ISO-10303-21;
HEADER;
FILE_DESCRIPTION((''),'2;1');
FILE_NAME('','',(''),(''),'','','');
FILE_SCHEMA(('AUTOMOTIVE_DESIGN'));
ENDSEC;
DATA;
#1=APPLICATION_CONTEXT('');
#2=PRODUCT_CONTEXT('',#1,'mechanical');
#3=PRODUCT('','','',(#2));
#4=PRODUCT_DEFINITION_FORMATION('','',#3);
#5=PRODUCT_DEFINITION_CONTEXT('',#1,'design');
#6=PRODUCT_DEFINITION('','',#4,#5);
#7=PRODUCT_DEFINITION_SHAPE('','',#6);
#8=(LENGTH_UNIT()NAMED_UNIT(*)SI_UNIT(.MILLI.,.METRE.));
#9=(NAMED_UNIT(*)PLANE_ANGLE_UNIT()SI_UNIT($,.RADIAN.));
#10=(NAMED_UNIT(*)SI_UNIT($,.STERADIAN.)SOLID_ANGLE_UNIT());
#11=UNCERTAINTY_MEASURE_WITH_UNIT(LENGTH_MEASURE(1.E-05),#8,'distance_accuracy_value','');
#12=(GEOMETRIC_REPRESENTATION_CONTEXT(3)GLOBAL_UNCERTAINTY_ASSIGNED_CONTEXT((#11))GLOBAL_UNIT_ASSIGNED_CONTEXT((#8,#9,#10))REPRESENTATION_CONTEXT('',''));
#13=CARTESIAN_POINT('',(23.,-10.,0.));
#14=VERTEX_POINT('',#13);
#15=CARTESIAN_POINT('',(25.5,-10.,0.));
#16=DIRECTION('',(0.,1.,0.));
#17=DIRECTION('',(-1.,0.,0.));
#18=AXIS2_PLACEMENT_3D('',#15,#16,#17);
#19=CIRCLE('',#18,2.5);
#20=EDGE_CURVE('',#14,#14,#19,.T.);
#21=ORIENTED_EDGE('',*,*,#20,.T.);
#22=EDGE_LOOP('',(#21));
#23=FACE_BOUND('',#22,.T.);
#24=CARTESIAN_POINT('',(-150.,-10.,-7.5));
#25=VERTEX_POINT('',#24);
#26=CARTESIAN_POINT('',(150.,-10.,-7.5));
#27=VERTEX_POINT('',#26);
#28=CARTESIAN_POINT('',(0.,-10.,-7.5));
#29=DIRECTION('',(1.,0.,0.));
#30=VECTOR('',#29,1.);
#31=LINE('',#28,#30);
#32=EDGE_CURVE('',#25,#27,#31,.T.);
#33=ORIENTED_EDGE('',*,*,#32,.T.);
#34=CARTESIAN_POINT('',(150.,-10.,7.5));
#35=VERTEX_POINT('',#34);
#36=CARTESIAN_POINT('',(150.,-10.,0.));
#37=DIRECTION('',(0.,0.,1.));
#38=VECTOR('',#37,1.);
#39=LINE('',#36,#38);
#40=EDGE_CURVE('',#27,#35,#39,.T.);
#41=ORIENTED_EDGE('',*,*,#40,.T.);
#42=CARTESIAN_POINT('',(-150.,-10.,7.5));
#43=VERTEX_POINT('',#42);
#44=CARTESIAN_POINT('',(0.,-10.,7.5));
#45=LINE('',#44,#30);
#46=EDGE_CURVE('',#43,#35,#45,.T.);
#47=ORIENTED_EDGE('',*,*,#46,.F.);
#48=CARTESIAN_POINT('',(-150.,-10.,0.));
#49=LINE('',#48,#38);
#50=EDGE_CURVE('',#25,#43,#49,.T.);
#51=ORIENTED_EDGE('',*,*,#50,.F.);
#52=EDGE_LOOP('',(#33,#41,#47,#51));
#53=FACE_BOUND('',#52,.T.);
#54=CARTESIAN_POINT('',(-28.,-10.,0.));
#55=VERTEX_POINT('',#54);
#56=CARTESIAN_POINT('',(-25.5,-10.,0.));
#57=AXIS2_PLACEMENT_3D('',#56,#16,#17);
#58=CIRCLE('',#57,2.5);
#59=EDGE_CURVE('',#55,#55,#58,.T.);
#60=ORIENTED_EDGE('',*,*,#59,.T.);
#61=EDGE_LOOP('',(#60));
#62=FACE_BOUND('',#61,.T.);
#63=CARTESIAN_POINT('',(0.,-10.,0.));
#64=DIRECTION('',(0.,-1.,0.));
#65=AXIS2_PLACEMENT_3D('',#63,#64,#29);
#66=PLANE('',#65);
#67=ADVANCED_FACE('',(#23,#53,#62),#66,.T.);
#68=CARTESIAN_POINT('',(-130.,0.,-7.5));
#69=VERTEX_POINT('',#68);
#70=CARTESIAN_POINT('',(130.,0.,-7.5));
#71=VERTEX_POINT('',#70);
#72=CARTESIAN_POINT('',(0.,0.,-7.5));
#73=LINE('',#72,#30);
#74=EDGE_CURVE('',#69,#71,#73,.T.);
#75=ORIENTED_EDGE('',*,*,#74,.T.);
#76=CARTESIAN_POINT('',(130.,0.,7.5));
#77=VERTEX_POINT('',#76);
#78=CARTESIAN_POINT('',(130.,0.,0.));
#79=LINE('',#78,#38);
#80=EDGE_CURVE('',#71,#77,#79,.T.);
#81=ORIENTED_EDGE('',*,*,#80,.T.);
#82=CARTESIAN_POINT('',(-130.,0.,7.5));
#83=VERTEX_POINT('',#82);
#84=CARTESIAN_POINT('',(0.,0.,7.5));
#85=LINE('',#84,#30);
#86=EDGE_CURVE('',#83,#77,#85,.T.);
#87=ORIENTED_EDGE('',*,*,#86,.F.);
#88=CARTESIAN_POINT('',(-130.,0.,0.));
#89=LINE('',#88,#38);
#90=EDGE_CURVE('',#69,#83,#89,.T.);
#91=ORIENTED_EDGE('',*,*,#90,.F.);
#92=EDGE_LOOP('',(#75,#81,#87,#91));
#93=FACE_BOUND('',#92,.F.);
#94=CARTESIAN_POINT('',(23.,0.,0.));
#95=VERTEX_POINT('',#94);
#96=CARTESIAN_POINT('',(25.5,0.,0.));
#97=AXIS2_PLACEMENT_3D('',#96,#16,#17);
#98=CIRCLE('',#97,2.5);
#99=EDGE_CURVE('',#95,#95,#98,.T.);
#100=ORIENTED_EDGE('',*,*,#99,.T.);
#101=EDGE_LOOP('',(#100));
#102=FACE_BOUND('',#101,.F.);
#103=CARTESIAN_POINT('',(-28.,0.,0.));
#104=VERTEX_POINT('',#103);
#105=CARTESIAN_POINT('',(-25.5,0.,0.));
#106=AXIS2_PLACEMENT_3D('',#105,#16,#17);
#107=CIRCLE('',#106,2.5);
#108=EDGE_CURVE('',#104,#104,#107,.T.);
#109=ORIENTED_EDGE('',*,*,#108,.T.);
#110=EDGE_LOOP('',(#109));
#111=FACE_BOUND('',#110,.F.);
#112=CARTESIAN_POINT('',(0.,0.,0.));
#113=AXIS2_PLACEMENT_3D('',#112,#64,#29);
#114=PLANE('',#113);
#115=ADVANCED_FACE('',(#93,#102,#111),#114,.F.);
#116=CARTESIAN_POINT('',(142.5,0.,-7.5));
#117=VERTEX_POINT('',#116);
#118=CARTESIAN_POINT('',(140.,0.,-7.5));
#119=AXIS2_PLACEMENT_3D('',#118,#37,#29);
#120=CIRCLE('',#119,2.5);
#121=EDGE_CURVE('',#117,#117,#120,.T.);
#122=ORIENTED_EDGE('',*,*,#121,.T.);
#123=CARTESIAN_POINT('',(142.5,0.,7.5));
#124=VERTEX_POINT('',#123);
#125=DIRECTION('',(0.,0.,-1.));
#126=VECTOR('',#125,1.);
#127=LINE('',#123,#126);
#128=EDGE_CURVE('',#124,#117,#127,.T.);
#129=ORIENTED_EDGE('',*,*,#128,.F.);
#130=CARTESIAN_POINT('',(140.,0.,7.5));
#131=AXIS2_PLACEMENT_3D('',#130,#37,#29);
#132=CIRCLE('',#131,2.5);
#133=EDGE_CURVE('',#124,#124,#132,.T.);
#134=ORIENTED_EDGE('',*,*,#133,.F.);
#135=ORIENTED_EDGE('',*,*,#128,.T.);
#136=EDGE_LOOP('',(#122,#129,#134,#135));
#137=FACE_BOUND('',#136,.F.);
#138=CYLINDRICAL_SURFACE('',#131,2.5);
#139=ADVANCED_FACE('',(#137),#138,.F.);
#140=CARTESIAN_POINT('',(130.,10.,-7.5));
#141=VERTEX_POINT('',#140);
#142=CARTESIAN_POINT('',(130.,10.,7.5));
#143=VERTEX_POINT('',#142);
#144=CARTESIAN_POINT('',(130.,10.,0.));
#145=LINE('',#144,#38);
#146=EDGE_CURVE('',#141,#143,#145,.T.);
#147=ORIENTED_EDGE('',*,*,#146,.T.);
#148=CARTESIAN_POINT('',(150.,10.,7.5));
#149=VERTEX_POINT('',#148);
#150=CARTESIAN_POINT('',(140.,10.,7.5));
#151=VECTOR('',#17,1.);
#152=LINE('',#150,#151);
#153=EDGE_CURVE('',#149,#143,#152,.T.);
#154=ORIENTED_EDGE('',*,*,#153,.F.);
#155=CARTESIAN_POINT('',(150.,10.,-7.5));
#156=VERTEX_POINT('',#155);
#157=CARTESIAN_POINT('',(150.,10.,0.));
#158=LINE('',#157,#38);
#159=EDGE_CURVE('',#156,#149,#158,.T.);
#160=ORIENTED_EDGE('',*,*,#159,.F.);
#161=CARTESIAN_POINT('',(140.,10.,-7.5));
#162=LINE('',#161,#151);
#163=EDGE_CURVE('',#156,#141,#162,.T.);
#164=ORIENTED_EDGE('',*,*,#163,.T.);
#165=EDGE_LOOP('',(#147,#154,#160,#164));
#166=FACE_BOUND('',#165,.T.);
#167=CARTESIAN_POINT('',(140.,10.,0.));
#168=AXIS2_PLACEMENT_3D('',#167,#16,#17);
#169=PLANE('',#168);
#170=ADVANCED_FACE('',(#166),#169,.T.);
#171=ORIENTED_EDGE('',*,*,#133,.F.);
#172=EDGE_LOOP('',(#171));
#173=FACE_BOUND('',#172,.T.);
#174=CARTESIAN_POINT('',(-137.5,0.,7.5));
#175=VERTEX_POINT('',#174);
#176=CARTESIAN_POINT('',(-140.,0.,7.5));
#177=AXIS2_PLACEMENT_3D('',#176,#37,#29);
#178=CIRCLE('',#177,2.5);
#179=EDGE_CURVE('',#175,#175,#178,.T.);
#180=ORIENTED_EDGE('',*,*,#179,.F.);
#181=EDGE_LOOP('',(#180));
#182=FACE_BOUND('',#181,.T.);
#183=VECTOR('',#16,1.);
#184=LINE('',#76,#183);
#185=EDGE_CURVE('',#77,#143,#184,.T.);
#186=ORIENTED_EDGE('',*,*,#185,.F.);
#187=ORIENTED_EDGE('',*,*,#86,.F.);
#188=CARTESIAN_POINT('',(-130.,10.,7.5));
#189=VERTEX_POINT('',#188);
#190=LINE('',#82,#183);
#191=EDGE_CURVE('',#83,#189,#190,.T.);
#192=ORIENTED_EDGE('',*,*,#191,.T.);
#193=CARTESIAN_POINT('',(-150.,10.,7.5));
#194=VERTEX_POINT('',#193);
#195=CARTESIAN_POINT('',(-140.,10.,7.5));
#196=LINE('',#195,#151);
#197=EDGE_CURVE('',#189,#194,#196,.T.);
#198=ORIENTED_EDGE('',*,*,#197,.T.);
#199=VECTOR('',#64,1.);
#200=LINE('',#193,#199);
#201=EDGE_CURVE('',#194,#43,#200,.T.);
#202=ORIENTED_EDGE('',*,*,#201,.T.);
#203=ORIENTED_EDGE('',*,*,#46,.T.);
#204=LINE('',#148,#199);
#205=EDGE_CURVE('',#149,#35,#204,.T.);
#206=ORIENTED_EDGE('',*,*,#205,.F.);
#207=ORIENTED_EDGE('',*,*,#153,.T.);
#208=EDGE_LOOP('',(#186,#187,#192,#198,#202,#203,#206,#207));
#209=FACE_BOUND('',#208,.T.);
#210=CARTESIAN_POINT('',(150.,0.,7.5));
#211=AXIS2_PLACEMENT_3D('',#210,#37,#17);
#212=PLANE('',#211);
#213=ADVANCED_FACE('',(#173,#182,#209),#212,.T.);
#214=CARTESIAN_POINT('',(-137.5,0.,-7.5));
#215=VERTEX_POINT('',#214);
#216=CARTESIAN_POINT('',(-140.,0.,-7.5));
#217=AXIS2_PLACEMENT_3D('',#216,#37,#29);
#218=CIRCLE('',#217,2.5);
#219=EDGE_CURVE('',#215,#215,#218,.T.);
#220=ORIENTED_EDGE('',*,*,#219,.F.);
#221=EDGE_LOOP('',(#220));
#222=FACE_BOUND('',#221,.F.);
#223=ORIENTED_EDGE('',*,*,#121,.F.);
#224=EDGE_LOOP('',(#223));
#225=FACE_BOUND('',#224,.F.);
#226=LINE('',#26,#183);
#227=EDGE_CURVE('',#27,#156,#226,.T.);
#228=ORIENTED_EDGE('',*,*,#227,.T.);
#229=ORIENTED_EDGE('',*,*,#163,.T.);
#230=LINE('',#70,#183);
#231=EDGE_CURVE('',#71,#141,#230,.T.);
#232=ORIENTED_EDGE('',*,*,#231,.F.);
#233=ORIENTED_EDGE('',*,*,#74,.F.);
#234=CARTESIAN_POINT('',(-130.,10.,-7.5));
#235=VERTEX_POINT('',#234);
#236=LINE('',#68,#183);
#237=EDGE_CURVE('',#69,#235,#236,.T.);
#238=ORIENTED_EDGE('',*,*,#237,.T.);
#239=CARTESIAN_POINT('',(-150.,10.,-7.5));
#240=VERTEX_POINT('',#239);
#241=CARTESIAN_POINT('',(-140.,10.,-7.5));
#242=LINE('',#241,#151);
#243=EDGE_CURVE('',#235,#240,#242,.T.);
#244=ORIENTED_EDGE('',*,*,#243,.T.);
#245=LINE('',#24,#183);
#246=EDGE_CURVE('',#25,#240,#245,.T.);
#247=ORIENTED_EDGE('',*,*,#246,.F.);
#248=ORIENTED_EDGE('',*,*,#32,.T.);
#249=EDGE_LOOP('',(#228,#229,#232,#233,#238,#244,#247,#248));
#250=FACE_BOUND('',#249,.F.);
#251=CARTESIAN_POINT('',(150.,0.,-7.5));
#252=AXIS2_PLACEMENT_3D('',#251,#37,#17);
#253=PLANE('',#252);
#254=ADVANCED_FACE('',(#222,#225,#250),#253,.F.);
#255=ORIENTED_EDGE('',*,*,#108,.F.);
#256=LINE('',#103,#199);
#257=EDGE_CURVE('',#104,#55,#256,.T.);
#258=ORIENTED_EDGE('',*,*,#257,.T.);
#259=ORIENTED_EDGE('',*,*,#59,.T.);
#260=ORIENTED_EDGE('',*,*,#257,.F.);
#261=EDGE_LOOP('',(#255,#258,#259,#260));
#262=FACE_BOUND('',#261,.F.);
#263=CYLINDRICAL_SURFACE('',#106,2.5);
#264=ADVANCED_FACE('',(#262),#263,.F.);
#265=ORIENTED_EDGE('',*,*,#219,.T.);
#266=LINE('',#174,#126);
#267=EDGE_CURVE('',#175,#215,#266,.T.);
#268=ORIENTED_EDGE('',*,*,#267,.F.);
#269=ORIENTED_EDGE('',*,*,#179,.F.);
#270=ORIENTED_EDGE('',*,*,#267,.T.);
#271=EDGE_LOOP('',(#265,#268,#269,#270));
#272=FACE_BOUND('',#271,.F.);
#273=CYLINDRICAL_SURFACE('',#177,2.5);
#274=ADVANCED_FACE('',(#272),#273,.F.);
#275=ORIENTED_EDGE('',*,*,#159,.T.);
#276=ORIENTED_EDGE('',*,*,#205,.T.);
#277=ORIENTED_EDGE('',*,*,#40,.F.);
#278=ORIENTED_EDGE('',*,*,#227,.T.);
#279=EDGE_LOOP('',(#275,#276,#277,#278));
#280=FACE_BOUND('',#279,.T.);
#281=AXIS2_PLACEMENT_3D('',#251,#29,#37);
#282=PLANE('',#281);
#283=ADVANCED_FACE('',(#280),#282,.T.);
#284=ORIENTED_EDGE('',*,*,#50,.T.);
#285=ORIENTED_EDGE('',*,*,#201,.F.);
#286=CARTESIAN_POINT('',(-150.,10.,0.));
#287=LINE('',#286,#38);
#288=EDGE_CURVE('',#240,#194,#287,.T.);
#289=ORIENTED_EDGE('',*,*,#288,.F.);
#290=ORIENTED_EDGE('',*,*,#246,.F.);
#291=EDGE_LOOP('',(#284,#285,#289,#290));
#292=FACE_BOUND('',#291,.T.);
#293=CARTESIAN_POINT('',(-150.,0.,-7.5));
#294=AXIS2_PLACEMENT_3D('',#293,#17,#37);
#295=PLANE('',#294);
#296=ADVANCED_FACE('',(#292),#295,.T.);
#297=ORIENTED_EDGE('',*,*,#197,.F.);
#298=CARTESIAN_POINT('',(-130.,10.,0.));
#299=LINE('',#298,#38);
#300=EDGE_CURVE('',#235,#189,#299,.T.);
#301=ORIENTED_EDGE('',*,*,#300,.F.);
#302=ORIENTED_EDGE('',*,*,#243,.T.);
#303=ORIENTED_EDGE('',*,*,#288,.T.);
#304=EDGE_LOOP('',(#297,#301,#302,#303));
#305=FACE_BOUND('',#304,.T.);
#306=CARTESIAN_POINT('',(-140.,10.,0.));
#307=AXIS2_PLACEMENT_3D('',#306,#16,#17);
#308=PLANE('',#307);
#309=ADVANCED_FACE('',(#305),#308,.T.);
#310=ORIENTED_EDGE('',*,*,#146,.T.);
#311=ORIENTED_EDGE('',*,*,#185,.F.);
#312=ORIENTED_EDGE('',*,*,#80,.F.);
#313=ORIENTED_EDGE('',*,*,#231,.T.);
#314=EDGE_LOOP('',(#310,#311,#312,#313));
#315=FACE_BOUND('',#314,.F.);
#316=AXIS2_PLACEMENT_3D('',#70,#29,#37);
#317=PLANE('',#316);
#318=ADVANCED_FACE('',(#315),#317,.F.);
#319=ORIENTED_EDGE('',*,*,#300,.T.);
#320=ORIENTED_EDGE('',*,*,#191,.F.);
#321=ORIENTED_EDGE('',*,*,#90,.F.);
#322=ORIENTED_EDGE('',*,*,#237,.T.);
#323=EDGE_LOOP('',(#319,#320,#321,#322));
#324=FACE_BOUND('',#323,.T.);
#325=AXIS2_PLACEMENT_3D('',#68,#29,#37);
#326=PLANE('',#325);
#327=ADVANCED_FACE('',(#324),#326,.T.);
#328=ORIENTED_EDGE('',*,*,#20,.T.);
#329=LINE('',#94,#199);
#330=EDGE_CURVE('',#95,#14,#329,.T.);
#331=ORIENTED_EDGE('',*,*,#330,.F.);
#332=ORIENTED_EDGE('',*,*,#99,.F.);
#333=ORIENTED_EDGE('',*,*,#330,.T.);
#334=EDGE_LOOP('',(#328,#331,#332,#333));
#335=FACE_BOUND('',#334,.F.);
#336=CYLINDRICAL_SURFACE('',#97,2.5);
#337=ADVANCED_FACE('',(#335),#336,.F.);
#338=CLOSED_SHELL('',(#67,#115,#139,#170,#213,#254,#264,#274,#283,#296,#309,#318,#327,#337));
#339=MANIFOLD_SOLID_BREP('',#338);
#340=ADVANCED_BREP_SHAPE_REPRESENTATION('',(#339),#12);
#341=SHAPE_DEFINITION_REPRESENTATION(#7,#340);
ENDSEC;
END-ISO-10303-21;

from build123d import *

# Parameters (mm, degrees)
F0_W     = 300
F0_H     = 15
F1_DEPTH = 10
F2_W     = 20
F2_H     = 15
F3_DEPTH = 10
F4_R     = 2.5
F5_DEPTH = 25
F6_R     = 2.5
F7_DEPTH = 25


with BuildPart() as f1:
    # F0 (on Front) → F1 (new body)
    with BuildSketch(Plane.XZ):
        Rectangle(F0_W, F0_H)
    extrude(amount=F1_DEPTH)

    # F2 (on face) → F3 (join)
    with BuildSketch(Plane(origin=(0, 0, 0), x_dir=(-1, 0, 0), z_dir=(0, 1, 0))):
        with Locations((-140, 0)):
            Rectangle(F2_W, F2_H)
        with Locations((140, 0)):
            Rectangle(F2_W, F2_H)
    extrude(amount=F3_DEPTH)

    # F4 (on face) → F5 (cut)
    with BuildSketch(Plane.XY.offset(7.5)):
        with Locations((140, 0)):
            Circle(F4_R)
        with Locations((-140, 0)):
            Circle(F4_R)
    extrude(amount=-F5_DEPTH, mode=Mode.SUBTRACT)

    # F6 (on face) → F7 (cut)
    with BuildSketch(Plane(origin=(0, 0, 0), x_dir=(-1, 0, 0), z_dir=(0, 1, 0))):
        with Locations((-25.5, 0)):
            Circle(F6_R)
        with Locations((25.5, 0)):
            Circle(F6_R)
    extrude(amount=-F7_DEPTH, mode=Mode.SUBTRACT)


solid = f1.part
